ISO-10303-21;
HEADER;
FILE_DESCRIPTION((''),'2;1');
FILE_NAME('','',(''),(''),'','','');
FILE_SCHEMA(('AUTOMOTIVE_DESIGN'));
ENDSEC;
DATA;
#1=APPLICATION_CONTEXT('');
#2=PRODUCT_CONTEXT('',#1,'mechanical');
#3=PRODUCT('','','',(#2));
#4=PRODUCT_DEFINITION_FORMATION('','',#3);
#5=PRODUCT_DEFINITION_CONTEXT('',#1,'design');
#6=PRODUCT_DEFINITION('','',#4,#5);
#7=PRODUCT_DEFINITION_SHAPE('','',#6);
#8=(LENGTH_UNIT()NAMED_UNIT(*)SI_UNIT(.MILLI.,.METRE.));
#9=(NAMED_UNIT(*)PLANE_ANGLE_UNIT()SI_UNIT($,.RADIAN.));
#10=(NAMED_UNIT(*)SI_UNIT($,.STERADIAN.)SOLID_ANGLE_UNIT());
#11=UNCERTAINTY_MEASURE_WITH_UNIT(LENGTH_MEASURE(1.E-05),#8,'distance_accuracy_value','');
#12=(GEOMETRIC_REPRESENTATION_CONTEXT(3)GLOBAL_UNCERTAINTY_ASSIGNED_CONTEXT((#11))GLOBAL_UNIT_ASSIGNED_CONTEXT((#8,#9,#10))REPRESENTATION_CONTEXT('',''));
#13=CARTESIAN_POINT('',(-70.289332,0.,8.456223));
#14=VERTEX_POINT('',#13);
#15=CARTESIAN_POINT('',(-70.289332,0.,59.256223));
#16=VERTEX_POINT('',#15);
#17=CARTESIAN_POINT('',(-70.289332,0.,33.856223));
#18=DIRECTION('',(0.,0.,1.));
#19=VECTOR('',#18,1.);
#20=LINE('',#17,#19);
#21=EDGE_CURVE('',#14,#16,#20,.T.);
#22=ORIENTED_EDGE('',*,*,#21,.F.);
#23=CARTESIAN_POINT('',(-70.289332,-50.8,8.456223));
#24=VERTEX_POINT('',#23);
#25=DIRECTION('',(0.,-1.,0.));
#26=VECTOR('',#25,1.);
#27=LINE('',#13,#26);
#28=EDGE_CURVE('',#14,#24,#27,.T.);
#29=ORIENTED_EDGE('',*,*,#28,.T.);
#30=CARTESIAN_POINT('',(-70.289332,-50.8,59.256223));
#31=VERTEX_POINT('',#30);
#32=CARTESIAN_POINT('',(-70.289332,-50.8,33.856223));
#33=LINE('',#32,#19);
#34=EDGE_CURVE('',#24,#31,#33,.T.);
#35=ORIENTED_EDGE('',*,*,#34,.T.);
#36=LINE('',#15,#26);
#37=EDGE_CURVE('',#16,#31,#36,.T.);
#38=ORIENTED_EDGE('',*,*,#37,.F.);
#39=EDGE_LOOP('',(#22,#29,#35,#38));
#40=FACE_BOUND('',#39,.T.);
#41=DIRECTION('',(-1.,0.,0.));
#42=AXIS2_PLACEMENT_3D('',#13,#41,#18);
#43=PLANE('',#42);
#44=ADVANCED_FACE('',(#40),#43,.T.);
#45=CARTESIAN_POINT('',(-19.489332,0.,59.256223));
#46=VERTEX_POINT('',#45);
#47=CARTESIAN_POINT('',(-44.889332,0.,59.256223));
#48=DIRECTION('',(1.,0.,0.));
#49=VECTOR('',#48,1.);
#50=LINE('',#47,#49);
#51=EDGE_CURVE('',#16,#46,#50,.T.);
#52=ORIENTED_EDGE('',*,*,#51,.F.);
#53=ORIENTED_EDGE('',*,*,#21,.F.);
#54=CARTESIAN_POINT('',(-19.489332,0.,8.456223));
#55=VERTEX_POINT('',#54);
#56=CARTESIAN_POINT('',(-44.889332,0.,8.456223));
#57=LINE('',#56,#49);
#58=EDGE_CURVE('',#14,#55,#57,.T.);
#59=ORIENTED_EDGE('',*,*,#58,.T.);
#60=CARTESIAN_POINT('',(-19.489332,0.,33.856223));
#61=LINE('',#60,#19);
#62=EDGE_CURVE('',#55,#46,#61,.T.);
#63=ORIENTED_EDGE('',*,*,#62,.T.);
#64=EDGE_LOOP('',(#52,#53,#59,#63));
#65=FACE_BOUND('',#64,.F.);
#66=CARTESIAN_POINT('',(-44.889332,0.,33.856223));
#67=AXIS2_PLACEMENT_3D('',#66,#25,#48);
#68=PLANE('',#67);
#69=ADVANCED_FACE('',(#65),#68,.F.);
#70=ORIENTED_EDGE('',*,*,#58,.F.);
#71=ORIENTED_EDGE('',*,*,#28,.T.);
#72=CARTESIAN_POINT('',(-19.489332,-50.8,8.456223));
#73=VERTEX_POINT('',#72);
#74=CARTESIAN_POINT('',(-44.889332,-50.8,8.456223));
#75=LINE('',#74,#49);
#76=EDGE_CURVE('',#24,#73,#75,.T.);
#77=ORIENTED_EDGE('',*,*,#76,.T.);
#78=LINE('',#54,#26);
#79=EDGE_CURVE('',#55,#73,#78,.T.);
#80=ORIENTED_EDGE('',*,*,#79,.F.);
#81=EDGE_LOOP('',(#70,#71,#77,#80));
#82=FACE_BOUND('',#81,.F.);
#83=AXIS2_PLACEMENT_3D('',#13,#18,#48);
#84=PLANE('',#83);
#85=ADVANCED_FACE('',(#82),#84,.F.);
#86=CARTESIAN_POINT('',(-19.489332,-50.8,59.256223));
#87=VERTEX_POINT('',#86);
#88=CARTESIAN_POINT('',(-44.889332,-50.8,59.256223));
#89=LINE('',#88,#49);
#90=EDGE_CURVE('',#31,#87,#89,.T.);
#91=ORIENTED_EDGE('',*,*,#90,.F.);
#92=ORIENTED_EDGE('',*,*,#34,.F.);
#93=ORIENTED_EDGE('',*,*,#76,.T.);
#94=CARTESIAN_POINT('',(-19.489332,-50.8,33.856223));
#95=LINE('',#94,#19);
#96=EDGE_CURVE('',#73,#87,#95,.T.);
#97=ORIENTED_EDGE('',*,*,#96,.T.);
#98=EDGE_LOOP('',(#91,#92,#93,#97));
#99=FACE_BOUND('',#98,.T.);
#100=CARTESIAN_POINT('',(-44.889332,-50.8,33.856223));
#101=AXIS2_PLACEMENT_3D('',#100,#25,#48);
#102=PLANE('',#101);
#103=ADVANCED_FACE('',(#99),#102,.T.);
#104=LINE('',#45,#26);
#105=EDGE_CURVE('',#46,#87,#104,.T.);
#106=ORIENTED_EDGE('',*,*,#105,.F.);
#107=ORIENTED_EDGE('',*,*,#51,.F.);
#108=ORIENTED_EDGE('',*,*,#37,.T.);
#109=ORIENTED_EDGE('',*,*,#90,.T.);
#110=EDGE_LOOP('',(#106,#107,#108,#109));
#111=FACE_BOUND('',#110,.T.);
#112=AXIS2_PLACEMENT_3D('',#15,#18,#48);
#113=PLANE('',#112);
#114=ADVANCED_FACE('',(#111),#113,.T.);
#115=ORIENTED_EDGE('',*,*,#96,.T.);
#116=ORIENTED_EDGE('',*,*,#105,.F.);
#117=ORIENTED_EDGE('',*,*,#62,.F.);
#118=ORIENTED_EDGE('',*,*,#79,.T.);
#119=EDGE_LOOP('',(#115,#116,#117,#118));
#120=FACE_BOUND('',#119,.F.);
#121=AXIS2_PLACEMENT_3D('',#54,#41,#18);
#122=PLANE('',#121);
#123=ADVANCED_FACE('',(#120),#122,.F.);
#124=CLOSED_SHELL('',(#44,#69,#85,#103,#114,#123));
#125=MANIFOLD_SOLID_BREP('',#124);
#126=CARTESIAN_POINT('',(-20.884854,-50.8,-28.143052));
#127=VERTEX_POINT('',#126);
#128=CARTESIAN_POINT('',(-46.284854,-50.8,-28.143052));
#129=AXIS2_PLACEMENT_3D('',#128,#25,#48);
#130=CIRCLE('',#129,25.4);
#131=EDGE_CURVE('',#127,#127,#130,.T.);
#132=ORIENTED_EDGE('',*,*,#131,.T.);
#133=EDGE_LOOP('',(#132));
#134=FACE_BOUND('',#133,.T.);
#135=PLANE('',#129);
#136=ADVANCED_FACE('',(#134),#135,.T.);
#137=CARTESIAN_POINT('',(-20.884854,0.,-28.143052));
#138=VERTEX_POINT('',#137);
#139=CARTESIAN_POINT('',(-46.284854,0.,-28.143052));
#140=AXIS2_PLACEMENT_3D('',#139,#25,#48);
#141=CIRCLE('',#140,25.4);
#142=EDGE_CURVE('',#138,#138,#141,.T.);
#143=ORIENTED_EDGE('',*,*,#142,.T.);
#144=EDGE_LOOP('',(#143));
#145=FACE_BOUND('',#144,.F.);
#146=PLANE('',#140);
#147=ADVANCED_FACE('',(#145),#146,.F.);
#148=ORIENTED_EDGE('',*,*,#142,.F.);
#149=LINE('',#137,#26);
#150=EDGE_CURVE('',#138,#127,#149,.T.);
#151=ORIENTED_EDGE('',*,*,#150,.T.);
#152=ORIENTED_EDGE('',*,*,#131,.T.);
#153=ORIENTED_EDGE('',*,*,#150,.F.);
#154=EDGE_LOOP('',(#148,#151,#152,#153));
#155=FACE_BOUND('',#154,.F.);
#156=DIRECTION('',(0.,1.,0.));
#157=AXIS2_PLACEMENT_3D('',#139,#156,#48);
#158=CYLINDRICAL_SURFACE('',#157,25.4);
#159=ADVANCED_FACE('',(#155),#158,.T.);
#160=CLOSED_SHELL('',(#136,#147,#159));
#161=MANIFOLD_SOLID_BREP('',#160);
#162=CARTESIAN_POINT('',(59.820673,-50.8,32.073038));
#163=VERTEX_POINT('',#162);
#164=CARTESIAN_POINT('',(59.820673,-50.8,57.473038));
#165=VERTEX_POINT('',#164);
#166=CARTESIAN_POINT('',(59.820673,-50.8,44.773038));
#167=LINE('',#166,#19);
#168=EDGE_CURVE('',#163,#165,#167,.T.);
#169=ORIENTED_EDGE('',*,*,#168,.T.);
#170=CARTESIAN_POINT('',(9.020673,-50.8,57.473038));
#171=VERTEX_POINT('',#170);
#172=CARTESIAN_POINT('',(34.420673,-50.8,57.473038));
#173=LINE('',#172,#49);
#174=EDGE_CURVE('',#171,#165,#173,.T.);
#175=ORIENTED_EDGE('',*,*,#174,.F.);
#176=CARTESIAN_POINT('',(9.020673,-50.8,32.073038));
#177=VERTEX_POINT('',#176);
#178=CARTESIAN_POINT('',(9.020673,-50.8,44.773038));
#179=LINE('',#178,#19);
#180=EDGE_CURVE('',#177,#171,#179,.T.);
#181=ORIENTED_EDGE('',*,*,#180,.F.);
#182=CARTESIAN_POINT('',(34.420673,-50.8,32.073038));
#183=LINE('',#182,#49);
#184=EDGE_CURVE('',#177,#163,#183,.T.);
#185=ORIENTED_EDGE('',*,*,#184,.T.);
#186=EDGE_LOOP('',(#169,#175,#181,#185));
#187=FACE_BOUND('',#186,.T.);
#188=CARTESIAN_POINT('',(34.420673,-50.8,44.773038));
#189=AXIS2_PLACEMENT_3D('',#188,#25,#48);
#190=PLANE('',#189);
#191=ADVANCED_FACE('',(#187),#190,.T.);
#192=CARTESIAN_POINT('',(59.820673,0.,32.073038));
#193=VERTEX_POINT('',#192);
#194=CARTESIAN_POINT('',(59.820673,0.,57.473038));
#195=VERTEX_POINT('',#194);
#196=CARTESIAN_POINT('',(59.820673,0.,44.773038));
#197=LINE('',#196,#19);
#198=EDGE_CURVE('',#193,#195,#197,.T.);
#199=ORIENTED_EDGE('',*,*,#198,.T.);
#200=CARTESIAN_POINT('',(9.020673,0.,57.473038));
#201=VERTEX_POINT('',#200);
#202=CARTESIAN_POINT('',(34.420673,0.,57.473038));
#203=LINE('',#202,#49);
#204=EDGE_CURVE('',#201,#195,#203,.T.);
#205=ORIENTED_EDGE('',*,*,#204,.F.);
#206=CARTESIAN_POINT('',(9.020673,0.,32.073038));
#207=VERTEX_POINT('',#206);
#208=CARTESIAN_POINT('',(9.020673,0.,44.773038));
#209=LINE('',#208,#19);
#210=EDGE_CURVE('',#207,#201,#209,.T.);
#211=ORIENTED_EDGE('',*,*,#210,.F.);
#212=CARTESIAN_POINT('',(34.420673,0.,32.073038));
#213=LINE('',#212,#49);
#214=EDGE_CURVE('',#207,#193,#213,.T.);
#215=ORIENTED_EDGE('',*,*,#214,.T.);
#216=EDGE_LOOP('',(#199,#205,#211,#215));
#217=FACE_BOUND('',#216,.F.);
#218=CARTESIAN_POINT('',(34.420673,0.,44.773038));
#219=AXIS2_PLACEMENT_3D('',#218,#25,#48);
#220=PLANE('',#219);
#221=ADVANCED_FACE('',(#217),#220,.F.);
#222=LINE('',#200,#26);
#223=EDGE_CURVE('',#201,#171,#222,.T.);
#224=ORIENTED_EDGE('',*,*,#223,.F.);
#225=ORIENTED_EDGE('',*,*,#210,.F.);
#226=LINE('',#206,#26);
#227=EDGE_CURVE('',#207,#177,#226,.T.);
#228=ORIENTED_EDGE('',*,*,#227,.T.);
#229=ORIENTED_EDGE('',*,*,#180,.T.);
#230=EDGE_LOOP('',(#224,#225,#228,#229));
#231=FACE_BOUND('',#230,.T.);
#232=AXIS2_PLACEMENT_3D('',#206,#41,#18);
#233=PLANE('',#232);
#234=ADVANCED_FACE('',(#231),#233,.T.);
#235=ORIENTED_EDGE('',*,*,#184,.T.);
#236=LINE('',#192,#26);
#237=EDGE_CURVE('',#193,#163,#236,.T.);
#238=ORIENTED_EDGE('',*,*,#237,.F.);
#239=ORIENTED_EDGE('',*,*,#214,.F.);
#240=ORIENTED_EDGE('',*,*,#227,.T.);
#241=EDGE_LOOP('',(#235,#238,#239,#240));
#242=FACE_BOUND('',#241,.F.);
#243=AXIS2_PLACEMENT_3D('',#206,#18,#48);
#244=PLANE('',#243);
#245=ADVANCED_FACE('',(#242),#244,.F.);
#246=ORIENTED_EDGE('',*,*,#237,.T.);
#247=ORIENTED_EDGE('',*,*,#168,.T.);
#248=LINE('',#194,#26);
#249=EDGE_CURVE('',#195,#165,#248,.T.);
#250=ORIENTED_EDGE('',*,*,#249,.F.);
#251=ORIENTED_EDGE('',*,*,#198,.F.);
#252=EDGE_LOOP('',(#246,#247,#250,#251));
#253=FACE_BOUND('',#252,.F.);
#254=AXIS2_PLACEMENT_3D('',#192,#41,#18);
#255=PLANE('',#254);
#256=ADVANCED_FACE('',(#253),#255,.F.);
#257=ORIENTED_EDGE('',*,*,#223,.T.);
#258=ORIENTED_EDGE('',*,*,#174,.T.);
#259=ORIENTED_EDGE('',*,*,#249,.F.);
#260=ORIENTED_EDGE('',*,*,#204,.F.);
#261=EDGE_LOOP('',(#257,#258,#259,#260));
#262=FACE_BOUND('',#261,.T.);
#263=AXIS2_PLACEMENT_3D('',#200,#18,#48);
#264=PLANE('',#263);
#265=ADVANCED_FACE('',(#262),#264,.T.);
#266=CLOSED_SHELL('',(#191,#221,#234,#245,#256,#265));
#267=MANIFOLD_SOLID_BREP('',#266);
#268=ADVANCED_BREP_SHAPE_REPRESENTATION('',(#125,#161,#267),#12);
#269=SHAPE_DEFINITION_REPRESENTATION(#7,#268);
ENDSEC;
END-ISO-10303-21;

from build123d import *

# Parameters (mm, degrees)
F0_W     = 50.8
F0_H     = 50.8
F3_DEPTH = 50.8
F1_W     = 50.8
F1_H     = 25.4
F4_DEPTH = 50.8
F2_R     = 25.4
F5_DEPTH = 50.8


with BuildPart() as f3:
    # F0 (on Front) → F3 (new body)
    with BuildSketch(Plane.XZ):
        with Locations((-44.889332, 33.856223)):
            Rectangle(F0_W, F0_H)
    extrude(amount=F3_DEPTH)


with BuildPart() as f4:
    # F1 (on Front) → F4 (new body)
    with BuildSketch(Plane.XZ):
        with Locations((34.420673, 44.773038)):
            Rectangle(F1_W, F1_H)
    extrude(amount=F4_DEPTH)


with BuildPart() as f5:
    # F2 (on Front) → F5 (new body)
    with BuildSketch(Plane.XZ):
        with Locations((-46.284854, -28.143052)):
            Circle(F2_R)
    extrude(amount=F5_DEPTH)


solid = Compound([f3.part, f4.part, f5.part])
